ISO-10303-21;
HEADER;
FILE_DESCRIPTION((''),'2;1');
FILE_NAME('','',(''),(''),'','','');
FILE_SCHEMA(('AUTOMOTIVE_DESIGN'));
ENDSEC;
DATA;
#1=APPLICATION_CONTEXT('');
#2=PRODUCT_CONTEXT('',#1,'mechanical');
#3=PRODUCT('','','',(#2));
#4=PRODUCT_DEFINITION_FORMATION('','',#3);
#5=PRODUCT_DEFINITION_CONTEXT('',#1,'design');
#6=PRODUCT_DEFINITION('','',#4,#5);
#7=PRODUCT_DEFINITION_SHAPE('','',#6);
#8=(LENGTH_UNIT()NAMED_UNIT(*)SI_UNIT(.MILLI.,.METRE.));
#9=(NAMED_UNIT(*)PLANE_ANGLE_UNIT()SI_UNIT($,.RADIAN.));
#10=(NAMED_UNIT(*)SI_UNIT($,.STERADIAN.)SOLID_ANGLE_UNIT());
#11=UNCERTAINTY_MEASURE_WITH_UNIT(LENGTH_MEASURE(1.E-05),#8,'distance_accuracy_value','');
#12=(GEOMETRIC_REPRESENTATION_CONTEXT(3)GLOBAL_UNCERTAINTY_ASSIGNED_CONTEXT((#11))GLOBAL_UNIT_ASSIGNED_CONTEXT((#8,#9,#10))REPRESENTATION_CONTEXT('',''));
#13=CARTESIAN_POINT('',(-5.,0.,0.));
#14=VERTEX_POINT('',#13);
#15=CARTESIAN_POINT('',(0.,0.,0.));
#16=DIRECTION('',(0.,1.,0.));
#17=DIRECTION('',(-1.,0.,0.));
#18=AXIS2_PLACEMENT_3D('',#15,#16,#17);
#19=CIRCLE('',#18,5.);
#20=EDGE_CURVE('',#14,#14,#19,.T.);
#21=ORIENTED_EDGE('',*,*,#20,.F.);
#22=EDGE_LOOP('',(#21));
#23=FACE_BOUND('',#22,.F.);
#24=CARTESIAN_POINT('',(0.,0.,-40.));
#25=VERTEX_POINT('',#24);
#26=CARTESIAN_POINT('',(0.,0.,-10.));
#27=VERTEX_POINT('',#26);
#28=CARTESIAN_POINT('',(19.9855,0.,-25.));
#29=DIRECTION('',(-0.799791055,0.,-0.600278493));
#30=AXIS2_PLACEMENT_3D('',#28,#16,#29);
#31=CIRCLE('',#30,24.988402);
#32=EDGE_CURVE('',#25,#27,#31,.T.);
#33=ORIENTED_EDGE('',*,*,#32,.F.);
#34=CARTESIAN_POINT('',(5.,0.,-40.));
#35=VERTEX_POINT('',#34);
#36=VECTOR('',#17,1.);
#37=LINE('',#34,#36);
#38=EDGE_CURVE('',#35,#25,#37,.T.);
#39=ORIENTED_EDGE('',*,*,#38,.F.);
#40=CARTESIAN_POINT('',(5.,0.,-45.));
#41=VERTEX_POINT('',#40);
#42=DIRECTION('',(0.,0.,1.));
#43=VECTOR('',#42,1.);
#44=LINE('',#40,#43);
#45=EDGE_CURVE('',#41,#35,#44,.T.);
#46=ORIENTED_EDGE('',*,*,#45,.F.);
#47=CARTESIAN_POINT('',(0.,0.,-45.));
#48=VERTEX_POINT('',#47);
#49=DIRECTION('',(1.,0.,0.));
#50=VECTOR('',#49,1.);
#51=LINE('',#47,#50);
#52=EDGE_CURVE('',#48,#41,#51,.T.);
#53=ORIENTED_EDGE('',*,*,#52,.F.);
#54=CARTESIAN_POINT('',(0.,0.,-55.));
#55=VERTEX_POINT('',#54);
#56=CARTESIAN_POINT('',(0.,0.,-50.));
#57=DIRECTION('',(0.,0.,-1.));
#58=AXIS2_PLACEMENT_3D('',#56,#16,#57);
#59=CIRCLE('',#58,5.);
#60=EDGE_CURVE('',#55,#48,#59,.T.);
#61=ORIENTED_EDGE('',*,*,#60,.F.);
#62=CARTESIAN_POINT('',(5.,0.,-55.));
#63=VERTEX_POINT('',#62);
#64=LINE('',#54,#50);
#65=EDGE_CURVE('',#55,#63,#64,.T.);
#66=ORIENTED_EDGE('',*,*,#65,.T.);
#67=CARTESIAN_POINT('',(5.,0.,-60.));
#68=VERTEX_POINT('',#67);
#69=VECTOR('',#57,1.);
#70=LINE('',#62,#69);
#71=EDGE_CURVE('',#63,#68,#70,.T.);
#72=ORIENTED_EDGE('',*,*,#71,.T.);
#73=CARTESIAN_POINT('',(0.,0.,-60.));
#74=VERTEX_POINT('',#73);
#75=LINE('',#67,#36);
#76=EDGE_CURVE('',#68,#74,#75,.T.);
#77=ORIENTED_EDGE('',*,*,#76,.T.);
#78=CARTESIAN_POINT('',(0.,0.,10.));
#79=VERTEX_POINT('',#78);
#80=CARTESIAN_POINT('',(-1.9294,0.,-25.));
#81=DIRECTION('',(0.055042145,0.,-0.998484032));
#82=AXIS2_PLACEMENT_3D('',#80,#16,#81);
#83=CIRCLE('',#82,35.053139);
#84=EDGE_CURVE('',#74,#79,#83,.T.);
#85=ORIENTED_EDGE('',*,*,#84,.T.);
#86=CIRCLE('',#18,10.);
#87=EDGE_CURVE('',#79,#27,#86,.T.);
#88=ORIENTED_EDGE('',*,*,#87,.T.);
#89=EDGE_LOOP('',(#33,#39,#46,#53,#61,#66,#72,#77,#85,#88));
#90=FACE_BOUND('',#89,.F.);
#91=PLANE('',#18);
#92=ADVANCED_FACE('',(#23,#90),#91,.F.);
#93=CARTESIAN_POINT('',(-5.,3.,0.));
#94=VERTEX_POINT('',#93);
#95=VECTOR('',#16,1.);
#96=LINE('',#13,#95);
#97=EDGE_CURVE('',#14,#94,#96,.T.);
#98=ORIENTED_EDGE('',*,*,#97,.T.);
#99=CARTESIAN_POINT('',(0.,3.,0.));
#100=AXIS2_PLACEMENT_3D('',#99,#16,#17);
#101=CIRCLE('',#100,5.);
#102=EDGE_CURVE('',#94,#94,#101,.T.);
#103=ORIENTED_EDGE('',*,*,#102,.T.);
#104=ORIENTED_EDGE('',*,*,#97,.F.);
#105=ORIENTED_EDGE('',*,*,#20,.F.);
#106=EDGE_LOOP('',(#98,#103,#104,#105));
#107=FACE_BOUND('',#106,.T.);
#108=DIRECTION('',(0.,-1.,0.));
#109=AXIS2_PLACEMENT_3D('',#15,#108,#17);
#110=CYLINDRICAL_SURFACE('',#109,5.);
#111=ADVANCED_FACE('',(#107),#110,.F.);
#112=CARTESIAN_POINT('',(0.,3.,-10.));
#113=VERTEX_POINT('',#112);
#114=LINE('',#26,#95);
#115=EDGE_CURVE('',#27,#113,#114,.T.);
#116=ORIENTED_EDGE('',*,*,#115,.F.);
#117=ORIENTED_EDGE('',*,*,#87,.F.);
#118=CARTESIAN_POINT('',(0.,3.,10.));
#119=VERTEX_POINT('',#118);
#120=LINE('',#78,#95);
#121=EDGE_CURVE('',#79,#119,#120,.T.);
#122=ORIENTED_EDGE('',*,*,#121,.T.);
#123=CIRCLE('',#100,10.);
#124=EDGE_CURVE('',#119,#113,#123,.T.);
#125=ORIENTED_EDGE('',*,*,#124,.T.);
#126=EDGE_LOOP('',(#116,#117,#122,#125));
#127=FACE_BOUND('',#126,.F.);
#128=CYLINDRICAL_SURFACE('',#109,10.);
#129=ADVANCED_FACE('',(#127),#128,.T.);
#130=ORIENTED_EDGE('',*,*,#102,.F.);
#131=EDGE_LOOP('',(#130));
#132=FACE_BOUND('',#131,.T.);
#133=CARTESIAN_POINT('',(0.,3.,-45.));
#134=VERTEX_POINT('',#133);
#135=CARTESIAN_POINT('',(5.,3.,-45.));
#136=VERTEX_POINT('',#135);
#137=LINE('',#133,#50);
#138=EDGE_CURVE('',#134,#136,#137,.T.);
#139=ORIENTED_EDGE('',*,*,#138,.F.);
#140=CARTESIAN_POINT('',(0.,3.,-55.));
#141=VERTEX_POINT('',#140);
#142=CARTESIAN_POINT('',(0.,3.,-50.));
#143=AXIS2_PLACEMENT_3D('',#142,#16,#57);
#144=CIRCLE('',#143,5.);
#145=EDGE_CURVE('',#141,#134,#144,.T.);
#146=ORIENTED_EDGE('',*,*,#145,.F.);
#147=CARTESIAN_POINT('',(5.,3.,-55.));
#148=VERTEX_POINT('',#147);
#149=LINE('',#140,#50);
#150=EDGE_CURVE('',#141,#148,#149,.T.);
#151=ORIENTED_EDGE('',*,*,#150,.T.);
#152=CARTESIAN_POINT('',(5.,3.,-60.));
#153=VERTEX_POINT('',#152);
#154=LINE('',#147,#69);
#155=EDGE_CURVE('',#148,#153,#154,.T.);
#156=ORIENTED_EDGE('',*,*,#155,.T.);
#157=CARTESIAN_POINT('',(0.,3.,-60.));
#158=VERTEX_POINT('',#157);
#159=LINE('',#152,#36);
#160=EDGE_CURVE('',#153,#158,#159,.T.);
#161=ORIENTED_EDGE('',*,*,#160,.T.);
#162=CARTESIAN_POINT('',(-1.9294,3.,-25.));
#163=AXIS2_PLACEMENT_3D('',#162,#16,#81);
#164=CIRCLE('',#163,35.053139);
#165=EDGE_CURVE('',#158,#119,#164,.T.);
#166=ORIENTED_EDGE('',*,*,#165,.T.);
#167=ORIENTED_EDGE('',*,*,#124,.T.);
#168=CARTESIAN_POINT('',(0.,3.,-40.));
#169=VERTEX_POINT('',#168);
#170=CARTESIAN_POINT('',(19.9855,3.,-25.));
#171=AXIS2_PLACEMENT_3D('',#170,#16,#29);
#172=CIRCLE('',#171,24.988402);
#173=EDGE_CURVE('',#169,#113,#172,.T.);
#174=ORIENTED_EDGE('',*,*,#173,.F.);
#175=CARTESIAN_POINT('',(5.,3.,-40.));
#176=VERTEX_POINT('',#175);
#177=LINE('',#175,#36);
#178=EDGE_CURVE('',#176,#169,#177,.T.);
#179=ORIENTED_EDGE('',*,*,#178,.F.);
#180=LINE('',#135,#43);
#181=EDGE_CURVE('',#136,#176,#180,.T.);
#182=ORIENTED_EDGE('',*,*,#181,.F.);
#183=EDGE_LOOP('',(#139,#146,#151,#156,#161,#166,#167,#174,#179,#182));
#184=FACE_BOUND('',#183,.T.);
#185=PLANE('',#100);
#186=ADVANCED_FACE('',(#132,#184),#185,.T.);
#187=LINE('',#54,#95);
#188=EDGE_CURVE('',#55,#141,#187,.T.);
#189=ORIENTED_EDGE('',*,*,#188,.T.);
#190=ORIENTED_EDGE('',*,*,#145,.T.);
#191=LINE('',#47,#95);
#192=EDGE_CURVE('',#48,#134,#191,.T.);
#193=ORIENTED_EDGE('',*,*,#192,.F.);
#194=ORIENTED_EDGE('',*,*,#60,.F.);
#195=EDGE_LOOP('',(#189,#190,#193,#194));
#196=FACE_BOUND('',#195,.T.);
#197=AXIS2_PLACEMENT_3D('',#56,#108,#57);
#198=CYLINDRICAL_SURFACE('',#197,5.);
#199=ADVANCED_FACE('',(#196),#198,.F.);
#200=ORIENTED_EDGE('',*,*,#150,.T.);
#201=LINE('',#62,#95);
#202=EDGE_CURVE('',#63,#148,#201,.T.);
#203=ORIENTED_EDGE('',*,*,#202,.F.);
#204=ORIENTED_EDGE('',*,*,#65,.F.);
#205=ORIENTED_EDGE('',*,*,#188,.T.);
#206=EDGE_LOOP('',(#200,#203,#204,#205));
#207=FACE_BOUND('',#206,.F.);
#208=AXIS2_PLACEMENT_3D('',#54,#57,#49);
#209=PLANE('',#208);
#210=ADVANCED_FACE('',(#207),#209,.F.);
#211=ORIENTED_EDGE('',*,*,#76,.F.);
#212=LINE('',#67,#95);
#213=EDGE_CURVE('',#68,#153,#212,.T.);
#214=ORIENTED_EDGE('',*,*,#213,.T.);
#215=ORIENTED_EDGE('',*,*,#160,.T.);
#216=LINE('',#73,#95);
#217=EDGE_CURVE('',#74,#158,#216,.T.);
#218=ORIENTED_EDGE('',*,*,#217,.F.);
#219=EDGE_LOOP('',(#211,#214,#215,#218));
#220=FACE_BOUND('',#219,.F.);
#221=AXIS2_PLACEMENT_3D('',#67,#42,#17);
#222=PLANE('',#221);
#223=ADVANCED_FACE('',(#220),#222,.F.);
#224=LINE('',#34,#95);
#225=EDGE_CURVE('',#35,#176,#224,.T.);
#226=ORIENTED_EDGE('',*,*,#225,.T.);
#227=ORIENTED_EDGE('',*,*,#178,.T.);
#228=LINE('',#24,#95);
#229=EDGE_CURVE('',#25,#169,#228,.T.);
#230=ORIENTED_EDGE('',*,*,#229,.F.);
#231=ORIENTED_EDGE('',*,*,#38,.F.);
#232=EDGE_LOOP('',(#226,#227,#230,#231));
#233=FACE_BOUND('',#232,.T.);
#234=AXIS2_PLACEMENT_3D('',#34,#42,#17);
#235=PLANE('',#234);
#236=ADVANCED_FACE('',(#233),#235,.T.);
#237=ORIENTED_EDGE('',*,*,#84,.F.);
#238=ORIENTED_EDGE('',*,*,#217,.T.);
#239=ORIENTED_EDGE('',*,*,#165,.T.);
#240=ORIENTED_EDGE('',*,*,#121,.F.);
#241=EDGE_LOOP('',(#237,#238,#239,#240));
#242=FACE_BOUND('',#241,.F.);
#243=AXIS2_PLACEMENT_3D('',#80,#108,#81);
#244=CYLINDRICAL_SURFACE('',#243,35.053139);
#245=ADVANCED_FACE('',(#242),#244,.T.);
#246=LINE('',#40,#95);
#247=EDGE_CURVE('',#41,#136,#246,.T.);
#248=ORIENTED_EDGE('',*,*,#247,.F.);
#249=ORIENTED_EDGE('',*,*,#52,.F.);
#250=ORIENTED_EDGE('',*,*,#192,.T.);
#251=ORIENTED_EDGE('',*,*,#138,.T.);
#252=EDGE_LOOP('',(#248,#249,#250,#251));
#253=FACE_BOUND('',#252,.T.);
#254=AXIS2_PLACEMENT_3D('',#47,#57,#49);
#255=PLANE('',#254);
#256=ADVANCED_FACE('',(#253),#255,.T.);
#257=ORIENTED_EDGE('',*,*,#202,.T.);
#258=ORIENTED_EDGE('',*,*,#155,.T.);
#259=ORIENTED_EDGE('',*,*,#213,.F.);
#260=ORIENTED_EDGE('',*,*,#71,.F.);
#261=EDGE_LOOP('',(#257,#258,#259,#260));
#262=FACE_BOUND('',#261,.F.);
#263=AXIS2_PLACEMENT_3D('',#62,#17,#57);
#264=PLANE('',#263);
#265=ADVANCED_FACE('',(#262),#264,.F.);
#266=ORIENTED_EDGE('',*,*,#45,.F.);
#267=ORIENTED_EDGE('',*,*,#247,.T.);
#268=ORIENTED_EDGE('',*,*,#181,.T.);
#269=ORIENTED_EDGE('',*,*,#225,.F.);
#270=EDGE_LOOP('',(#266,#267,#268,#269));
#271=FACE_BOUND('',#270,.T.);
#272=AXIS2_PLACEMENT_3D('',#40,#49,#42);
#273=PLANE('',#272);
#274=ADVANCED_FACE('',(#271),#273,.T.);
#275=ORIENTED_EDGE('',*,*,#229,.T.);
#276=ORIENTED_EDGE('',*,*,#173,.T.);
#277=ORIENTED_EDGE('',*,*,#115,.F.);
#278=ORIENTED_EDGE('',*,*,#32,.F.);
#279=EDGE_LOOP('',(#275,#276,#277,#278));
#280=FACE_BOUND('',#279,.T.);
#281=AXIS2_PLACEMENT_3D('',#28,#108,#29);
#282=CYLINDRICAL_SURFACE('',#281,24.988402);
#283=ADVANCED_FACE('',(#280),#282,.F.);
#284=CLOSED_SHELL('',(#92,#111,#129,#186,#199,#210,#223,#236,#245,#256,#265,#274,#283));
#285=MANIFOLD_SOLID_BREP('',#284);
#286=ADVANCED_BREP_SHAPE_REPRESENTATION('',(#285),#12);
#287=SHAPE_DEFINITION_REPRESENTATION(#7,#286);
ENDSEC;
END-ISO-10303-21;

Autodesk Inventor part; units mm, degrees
ref_plane "YZ Plane" through (0, 0, 0) normal (1, 0, 0) x (0, 1, 0)
ref_plane "XZ Plane" through (0, 0, 0) normal (0, 1, 0) x (-1, 0, 0)
ref_plane "XY Plane" through (0, 0, 0) normal (0, 0, 1) x (1, 0, 0)
sketch "Sketch1" plane through (0, 0, 0) normal (0, 1, 0) x (-1, 0, 0)
  circle A0 centre (0, 0) radius 5
  circle A1 centre (0, 0) radius 10
  arc A2 (0, -55) -> (0, -45) centre (0, -50) ccw
  line L0 (0, -55) -> (-5, -55)
  line L1 (-5, -55) -> (-5, -60)
  line L2 (-5, -60) -> (0, -60)
  line L3 (0, -60) -> (0, -55)
  line L4 (0, -45) -> (-5, -45)
  line L5 (-5, -45) -> (-5, -40)
  line L6 (-5, -40) -> (0, -40)
  line L7 (0, -40) -> (0, -45)
  arc A3 (0, -40) -> (0, -10) centre (-19.9855, -25) ccw
  arc A4 (0, -60) -> (0, 10) centre (1.9294, -25) ccw
  dimension "d9" = 10
  dimension "d10" = 20
  dimension "d12" = 5
  dimension "d13" = 5
  dimension "d14" = 5
  dimension "d15" = 5
extrude "Extrusion2" add sketch "Sketch1" along normal blind 3
properties part number "key"
